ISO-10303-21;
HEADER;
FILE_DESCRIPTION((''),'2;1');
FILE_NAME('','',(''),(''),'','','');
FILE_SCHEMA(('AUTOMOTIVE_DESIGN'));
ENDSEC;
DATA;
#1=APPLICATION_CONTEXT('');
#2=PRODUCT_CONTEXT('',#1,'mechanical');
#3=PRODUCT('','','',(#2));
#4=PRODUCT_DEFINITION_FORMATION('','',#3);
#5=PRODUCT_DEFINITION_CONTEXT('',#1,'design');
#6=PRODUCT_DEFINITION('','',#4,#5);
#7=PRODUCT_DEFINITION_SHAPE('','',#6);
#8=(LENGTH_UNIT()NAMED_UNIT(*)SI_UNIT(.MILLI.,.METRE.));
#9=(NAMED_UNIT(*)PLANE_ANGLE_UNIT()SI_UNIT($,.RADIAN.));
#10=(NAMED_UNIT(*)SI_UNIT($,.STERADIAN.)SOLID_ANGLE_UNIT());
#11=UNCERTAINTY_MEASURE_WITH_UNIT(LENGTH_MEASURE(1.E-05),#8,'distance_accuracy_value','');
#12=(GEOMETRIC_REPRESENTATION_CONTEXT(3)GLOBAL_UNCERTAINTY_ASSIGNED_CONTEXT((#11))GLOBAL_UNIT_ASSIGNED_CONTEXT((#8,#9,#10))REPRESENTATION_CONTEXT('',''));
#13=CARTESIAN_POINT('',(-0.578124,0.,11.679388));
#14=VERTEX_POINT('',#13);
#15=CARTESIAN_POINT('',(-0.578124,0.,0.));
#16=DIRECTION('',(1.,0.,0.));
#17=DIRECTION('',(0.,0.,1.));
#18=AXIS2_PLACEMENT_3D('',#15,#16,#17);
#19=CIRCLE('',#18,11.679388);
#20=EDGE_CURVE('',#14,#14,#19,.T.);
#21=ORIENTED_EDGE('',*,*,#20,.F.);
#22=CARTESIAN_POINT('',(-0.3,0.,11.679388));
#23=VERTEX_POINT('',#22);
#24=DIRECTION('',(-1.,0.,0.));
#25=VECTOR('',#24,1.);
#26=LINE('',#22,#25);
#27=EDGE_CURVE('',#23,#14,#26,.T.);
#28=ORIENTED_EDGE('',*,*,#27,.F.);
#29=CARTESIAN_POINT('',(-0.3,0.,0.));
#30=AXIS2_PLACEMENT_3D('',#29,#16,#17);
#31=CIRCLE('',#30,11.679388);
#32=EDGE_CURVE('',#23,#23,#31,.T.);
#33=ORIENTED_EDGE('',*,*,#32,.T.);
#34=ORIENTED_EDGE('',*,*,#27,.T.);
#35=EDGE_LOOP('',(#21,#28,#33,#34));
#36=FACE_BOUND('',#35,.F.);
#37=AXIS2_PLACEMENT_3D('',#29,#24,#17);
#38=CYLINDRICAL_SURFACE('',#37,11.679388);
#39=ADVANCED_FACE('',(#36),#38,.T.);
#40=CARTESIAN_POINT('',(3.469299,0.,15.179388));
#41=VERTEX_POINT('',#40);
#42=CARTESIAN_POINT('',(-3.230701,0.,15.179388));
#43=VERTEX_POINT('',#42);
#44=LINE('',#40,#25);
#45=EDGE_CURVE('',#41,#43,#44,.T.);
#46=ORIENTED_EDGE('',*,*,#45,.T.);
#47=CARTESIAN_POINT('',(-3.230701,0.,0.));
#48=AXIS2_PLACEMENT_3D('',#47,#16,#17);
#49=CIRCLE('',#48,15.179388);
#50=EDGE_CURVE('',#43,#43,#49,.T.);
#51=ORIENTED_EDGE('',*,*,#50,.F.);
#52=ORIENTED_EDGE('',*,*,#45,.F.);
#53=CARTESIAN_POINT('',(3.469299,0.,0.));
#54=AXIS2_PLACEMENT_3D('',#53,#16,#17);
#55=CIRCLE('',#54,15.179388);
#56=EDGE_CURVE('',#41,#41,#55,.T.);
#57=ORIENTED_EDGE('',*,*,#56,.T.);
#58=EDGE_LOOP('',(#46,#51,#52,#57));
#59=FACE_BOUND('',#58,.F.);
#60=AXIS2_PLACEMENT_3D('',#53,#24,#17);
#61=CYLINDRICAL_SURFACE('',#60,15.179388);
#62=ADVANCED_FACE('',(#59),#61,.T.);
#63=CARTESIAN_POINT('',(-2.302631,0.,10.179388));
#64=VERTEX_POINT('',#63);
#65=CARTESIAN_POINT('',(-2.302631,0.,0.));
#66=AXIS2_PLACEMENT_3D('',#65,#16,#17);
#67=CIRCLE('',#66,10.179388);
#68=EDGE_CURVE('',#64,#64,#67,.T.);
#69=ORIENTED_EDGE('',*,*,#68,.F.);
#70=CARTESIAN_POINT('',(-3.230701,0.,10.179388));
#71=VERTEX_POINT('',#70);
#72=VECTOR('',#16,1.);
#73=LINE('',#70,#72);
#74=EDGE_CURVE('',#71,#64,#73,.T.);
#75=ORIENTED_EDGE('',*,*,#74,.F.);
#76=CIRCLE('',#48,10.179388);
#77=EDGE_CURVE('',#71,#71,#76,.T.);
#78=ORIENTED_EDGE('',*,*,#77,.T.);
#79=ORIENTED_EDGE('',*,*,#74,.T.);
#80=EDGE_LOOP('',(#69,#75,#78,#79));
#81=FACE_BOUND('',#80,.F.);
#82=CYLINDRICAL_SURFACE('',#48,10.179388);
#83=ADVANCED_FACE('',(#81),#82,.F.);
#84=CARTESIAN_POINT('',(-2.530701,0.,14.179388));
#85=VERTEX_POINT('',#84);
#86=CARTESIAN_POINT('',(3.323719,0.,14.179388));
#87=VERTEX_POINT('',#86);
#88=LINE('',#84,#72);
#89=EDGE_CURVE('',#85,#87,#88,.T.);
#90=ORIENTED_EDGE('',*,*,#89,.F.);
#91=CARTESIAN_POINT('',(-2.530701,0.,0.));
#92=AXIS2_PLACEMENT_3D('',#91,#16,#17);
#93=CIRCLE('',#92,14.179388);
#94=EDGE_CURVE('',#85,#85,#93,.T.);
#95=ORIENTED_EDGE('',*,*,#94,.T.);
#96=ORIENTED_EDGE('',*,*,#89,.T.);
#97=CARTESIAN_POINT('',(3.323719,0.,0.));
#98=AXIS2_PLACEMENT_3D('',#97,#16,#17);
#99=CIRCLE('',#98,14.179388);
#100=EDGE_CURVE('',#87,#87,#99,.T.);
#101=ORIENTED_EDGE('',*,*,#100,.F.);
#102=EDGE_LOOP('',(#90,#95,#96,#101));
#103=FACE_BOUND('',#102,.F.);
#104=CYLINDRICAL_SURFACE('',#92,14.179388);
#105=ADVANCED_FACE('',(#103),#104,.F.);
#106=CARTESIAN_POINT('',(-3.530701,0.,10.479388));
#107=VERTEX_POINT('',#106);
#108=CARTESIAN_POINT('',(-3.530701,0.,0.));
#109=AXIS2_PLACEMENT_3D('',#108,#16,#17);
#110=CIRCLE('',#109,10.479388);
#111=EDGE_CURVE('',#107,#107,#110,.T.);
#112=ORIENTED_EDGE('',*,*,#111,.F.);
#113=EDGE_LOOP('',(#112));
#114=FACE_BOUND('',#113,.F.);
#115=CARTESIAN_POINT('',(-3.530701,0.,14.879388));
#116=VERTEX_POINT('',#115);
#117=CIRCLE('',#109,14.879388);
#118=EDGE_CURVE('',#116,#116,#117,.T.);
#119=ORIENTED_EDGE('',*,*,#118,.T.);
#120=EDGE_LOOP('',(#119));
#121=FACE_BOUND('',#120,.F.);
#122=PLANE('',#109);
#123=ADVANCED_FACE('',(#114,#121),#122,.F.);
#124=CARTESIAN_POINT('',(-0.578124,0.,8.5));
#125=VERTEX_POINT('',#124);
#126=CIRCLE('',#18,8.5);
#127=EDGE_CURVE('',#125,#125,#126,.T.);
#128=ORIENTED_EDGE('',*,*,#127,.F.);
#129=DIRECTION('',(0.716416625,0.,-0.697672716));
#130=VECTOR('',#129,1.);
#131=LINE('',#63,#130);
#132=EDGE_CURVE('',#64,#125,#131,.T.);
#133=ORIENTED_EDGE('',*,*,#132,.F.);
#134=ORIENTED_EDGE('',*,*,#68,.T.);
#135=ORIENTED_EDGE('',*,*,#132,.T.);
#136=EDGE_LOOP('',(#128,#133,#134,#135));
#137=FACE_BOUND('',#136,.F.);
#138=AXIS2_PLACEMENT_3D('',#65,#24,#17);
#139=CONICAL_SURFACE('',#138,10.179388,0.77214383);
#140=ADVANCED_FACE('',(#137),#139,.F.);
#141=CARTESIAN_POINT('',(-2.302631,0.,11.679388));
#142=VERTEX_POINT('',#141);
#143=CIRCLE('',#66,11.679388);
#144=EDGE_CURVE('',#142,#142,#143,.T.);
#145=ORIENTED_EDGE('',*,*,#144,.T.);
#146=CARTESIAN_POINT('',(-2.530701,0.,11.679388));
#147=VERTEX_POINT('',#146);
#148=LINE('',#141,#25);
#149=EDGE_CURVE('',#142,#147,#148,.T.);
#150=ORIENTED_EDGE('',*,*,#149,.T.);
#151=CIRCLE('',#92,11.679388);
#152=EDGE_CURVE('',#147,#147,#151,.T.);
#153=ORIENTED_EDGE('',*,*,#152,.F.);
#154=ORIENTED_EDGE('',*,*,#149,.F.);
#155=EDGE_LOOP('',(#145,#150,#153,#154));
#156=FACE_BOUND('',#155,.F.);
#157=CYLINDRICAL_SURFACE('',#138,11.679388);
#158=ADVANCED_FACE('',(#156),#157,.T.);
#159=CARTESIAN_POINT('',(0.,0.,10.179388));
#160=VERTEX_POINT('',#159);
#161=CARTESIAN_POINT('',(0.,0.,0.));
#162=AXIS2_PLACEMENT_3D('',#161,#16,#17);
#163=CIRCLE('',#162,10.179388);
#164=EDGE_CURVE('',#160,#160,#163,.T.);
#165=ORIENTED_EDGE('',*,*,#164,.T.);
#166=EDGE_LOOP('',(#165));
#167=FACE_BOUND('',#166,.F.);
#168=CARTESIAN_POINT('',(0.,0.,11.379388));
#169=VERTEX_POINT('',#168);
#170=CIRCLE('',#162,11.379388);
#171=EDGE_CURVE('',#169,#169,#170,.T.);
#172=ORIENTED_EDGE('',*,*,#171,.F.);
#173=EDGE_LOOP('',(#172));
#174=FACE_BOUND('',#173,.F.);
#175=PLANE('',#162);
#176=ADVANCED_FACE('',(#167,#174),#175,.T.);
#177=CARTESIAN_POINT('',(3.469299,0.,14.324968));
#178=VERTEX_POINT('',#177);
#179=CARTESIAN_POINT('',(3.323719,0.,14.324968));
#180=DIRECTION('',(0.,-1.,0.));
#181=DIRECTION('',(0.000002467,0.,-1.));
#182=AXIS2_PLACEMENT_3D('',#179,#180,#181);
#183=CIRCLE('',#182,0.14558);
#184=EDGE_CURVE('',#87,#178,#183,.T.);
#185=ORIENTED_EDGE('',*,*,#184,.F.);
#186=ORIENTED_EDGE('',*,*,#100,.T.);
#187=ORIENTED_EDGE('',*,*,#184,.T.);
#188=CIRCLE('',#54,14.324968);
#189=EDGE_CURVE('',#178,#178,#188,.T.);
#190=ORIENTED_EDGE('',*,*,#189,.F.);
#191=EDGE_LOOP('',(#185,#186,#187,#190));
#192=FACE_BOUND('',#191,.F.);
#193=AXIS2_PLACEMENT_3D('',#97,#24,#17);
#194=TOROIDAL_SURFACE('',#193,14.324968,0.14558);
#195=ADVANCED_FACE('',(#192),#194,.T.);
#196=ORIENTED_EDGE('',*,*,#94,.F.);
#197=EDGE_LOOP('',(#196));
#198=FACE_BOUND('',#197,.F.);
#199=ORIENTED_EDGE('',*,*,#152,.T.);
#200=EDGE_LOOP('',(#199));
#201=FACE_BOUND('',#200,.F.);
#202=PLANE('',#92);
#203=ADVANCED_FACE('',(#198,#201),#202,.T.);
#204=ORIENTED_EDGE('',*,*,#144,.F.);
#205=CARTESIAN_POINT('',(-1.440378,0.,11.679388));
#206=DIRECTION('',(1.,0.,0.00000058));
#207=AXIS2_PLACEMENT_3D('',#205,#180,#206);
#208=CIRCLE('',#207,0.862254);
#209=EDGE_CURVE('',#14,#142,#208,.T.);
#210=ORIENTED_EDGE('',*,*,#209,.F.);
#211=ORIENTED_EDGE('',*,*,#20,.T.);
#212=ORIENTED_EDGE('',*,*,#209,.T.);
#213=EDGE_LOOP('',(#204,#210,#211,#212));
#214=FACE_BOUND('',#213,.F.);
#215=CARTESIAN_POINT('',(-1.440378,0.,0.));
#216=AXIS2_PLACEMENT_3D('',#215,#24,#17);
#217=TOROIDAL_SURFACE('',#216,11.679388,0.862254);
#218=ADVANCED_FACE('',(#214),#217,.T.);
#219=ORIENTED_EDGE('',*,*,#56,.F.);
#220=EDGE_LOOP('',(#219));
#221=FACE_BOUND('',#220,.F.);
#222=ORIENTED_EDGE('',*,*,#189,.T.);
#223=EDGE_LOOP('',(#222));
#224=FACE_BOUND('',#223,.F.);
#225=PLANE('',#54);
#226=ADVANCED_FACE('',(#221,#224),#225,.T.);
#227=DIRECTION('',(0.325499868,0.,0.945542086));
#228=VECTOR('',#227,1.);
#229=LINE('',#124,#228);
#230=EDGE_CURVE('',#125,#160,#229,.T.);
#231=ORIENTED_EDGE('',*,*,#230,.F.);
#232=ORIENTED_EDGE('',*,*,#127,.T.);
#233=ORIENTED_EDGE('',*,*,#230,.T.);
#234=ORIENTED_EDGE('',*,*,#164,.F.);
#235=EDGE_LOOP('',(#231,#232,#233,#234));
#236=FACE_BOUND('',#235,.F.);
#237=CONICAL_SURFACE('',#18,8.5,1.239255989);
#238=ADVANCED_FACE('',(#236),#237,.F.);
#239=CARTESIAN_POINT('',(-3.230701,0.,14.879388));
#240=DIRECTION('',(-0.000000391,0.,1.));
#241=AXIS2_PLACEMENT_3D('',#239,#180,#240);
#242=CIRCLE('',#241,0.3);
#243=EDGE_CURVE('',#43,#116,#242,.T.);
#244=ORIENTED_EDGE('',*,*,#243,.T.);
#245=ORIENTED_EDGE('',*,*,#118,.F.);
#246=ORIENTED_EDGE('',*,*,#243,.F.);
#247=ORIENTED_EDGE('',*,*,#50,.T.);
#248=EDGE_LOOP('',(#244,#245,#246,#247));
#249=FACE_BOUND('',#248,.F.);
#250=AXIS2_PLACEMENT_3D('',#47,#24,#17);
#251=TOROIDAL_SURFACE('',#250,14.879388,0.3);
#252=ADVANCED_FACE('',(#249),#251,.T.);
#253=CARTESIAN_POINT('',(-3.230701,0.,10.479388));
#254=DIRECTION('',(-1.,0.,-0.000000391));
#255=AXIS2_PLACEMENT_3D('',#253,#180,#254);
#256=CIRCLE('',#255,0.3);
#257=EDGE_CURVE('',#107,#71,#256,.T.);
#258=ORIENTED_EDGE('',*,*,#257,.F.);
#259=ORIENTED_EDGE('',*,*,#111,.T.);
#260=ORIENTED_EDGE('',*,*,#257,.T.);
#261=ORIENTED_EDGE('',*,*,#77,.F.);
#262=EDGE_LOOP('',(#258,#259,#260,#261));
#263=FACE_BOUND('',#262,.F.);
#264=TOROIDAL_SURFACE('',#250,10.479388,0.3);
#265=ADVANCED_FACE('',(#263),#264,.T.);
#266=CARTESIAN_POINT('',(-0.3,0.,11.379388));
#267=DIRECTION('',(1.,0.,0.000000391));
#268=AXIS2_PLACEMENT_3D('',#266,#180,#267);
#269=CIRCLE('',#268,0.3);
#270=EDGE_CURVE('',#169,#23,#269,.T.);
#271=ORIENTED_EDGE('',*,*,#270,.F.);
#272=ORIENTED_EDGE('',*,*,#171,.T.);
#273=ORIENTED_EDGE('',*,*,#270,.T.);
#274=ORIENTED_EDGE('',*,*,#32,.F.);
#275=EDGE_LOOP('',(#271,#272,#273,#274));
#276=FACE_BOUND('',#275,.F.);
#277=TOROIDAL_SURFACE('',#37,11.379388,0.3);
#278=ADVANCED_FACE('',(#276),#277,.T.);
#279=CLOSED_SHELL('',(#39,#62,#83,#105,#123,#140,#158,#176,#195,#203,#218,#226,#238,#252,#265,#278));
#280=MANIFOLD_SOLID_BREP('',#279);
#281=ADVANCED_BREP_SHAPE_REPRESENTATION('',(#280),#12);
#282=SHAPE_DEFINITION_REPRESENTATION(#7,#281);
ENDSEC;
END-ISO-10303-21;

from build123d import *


with BuildPart() as f1:
    # F0 (on Front) → F1 (revolve)
    with BuildSketch(Plane.XZ):
        with BuildLine():
            Line((3.469299, 14.324968), (3.469299, 15.179388))
            Line((3.469299, 15.179388), (-3.230701, 15.179388))
            ThreePointArc((-3.230701, 15.179388), (-3.442833, 15.09152), (-3.530701, 14.879388))
            Line((-3.530701, 14.879388), (-3.530701, 10.479388))
            ThreePointArc((-3.530701, 10.479388), (-3.442833, 10.267256), (-3.230701, 10.179388))
            Line((-3.230701, 10.179388), (-2.302631, 10.179388))
            Line((-2.302631, 10.179388), (-0.578124, 8.5))
            Line((-0.578124, 8.5), (0, 10.179388))
            Line((0, 10.179388), (0, 11.379388))
            ThreePointArc((0, 11.379388), (-0.087868, 11.59152), (-0.3, 11.679388))
            Line((-0.3, 11.679388), (-0.578124, 11.679388))
            ThreePointArc((-0.578124, 11.679388), (-1.440378, 12.541641), (-2.302631, 11.679388))
            Line((-2.302631, 11.679388), (-2.530701, 11.679388))
            Line((-2.530701, 11.679388), (-2.530701, 14.179388))
            Line((-2.530701, 14.179388), (3.323719, 14.179388))
            ThreePointArc((3.323719, 14.179388), (3.426659, 14.222027), (3.469299, 14.324968))
        make_face()
    revolve(axis=Axis((7.997807, 0, 0), (1, 0, 0)))


solid = f1.part
